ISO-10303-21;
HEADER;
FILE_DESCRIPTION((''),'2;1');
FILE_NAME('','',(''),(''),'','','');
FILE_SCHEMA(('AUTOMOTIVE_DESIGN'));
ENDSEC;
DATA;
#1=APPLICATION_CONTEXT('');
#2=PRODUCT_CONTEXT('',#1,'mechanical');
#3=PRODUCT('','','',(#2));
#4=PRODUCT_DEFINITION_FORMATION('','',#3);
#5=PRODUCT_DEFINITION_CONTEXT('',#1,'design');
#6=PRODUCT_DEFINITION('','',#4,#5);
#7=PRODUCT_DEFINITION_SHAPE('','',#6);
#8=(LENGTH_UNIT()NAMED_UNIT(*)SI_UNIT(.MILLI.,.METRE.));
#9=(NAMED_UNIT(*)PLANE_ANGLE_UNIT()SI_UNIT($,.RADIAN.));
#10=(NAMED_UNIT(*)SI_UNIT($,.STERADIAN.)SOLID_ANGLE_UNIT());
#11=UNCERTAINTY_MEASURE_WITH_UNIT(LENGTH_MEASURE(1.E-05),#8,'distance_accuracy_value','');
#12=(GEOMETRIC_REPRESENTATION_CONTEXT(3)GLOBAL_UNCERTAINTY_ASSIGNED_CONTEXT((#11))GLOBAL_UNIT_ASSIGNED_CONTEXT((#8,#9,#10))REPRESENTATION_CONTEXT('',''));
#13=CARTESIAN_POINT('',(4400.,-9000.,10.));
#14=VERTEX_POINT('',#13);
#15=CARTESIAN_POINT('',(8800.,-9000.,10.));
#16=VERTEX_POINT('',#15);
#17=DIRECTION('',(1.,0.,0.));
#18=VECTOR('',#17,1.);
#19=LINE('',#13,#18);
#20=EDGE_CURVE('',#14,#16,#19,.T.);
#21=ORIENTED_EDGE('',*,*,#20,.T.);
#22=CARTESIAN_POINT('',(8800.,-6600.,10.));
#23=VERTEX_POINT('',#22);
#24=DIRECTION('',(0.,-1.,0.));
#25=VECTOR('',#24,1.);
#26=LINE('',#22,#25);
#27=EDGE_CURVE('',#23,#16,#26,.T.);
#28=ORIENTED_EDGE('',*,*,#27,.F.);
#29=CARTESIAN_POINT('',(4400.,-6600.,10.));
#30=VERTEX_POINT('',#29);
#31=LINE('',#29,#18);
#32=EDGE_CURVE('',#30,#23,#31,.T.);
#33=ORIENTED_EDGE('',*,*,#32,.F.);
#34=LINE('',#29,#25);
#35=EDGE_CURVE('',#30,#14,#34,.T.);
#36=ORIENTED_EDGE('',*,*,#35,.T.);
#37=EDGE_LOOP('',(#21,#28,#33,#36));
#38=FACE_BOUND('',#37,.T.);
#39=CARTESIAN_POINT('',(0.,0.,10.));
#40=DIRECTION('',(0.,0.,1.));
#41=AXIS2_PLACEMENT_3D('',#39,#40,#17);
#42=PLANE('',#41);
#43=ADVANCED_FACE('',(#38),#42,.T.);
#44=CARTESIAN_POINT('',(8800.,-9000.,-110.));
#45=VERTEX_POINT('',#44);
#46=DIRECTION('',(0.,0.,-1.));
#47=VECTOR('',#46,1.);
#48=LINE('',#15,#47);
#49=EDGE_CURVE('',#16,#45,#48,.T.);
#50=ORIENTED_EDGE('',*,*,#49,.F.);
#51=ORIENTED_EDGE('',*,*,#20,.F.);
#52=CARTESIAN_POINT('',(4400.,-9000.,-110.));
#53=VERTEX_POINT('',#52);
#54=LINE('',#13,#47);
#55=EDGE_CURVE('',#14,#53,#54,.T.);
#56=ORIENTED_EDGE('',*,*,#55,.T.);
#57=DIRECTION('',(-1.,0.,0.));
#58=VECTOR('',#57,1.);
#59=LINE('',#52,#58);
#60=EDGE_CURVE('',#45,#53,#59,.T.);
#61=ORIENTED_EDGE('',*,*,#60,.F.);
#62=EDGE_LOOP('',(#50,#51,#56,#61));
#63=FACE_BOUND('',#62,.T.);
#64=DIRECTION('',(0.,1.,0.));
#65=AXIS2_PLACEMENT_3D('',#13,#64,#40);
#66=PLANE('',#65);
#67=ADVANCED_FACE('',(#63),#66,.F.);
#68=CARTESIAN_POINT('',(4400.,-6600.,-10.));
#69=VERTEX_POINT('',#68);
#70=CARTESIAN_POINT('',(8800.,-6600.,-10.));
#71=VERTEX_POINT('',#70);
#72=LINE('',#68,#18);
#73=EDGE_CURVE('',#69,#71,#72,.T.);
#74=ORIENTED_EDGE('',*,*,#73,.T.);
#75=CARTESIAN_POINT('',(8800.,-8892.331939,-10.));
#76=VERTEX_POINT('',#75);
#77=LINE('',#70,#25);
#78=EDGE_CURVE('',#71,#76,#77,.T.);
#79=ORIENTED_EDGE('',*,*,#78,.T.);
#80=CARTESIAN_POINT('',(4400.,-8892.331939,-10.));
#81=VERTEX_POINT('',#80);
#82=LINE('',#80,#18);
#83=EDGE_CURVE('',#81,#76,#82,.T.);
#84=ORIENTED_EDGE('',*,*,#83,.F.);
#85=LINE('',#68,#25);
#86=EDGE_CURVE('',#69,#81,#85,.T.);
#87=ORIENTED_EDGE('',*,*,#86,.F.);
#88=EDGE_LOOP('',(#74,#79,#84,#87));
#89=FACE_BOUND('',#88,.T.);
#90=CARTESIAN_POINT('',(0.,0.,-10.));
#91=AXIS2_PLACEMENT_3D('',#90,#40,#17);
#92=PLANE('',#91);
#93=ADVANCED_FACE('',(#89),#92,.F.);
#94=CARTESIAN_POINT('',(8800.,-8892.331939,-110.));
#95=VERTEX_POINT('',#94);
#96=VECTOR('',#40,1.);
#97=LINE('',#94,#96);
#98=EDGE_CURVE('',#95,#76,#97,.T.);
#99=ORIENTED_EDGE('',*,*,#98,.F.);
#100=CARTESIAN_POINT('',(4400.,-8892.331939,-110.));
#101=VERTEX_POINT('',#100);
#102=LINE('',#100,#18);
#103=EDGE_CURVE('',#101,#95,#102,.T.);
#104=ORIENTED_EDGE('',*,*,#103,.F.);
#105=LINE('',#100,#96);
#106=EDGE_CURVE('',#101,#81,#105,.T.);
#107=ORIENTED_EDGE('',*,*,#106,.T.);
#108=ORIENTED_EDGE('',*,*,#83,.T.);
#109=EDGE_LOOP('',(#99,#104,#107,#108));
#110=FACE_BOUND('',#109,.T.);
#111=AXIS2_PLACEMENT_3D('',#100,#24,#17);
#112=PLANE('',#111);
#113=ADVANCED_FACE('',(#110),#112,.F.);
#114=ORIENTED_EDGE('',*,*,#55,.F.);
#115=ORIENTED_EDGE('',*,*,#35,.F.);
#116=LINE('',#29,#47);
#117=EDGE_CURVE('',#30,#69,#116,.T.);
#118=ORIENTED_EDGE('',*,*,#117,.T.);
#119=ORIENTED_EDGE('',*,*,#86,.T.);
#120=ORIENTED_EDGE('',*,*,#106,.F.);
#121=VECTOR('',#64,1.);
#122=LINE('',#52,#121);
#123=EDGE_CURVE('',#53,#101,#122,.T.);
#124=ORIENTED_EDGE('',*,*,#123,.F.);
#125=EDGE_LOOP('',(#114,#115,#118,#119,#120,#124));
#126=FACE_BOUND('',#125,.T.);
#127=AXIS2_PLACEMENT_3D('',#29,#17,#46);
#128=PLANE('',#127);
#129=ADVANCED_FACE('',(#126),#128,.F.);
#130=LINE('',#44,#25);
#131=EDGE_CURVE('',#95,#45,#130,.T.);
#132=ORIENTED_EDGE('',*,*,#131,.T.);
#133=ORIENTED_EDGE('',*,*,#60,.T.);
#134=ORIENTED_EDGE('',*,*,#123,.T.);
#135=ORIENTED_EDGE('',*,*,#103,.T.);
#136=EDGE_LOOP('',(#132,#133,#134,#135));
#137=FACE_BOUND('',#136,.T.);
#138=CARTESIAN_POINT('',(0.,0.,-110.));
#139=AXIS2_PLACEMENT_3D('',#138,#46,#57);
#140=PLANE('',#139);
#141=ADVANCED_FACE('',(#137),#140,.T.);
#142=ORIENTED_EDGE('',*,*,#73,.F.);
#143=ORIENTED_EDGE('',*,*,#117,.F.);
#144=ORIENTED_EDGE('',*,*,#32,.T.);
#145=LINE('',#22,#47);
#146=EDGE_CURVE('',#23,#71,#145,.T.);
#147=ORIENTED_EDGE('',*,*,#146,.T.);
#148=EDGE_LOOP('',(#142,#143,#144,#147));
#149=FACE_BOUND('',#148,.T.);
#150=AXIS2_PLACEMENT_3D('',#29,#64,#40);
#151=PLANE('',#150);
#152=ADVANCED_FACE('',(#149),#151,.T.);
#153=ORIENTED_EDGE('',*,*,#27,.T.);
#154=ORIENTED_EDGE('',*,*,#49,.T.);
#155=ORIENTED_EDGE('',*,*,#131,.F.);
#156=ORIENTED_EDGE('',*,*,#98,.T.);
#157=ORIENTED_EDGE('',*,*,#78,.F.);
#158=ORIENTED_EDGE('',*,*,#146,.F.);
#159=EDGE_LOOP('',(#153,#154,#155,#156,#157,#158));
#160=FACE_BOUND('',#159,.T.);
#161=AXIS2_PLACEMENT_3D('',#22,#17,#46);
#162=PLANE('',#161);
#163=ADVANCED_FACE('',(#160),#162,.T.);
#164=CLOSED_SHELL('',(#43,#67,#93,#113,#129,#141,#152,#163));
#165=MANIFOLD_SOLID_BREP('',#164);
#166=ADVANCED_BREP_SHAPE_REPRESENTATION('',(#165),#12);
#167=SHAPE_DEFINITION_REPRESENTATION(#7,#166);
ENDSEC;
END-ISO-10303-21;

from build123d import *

# Parameters (mm, degrees)
SKETCH_1_W      = 4400
SKETCH_1_H      = 2400
EXTRUDE_1_DEPTH = 10
SKETCH_2_W      = 4400
SKETCH_2_H      = 107.668061123
EXTRUDE_2_DEPTH = 100


with BuildPart() as part:
    # Эскиз1 → Бобышка-Вытянуть1 (new, symmetric)
    with BuildSketch(Plane.XY):
        with Locations((6600, -7800)):
            Rectangle(SKETCH_1_W, SKETCH_1_H)
    extrude(amount=EXTRUDE_1_DEPTH, both=True)

    # Эскиз2 → Бобышка-Вытянуть2 (add)
    with BuildSketch(Plane(origin=(0, 0, -10), x_dir=(-1, 0, 0), z_dir=(0, 0, -1))):
        with Locations((-6600, -8946.165969439)):
            Rectangle(SKETCH_2_W, SKETCH_2_H)
    extrude(amount=EXTRUDE_2_DEPTH)


solid = part.part
